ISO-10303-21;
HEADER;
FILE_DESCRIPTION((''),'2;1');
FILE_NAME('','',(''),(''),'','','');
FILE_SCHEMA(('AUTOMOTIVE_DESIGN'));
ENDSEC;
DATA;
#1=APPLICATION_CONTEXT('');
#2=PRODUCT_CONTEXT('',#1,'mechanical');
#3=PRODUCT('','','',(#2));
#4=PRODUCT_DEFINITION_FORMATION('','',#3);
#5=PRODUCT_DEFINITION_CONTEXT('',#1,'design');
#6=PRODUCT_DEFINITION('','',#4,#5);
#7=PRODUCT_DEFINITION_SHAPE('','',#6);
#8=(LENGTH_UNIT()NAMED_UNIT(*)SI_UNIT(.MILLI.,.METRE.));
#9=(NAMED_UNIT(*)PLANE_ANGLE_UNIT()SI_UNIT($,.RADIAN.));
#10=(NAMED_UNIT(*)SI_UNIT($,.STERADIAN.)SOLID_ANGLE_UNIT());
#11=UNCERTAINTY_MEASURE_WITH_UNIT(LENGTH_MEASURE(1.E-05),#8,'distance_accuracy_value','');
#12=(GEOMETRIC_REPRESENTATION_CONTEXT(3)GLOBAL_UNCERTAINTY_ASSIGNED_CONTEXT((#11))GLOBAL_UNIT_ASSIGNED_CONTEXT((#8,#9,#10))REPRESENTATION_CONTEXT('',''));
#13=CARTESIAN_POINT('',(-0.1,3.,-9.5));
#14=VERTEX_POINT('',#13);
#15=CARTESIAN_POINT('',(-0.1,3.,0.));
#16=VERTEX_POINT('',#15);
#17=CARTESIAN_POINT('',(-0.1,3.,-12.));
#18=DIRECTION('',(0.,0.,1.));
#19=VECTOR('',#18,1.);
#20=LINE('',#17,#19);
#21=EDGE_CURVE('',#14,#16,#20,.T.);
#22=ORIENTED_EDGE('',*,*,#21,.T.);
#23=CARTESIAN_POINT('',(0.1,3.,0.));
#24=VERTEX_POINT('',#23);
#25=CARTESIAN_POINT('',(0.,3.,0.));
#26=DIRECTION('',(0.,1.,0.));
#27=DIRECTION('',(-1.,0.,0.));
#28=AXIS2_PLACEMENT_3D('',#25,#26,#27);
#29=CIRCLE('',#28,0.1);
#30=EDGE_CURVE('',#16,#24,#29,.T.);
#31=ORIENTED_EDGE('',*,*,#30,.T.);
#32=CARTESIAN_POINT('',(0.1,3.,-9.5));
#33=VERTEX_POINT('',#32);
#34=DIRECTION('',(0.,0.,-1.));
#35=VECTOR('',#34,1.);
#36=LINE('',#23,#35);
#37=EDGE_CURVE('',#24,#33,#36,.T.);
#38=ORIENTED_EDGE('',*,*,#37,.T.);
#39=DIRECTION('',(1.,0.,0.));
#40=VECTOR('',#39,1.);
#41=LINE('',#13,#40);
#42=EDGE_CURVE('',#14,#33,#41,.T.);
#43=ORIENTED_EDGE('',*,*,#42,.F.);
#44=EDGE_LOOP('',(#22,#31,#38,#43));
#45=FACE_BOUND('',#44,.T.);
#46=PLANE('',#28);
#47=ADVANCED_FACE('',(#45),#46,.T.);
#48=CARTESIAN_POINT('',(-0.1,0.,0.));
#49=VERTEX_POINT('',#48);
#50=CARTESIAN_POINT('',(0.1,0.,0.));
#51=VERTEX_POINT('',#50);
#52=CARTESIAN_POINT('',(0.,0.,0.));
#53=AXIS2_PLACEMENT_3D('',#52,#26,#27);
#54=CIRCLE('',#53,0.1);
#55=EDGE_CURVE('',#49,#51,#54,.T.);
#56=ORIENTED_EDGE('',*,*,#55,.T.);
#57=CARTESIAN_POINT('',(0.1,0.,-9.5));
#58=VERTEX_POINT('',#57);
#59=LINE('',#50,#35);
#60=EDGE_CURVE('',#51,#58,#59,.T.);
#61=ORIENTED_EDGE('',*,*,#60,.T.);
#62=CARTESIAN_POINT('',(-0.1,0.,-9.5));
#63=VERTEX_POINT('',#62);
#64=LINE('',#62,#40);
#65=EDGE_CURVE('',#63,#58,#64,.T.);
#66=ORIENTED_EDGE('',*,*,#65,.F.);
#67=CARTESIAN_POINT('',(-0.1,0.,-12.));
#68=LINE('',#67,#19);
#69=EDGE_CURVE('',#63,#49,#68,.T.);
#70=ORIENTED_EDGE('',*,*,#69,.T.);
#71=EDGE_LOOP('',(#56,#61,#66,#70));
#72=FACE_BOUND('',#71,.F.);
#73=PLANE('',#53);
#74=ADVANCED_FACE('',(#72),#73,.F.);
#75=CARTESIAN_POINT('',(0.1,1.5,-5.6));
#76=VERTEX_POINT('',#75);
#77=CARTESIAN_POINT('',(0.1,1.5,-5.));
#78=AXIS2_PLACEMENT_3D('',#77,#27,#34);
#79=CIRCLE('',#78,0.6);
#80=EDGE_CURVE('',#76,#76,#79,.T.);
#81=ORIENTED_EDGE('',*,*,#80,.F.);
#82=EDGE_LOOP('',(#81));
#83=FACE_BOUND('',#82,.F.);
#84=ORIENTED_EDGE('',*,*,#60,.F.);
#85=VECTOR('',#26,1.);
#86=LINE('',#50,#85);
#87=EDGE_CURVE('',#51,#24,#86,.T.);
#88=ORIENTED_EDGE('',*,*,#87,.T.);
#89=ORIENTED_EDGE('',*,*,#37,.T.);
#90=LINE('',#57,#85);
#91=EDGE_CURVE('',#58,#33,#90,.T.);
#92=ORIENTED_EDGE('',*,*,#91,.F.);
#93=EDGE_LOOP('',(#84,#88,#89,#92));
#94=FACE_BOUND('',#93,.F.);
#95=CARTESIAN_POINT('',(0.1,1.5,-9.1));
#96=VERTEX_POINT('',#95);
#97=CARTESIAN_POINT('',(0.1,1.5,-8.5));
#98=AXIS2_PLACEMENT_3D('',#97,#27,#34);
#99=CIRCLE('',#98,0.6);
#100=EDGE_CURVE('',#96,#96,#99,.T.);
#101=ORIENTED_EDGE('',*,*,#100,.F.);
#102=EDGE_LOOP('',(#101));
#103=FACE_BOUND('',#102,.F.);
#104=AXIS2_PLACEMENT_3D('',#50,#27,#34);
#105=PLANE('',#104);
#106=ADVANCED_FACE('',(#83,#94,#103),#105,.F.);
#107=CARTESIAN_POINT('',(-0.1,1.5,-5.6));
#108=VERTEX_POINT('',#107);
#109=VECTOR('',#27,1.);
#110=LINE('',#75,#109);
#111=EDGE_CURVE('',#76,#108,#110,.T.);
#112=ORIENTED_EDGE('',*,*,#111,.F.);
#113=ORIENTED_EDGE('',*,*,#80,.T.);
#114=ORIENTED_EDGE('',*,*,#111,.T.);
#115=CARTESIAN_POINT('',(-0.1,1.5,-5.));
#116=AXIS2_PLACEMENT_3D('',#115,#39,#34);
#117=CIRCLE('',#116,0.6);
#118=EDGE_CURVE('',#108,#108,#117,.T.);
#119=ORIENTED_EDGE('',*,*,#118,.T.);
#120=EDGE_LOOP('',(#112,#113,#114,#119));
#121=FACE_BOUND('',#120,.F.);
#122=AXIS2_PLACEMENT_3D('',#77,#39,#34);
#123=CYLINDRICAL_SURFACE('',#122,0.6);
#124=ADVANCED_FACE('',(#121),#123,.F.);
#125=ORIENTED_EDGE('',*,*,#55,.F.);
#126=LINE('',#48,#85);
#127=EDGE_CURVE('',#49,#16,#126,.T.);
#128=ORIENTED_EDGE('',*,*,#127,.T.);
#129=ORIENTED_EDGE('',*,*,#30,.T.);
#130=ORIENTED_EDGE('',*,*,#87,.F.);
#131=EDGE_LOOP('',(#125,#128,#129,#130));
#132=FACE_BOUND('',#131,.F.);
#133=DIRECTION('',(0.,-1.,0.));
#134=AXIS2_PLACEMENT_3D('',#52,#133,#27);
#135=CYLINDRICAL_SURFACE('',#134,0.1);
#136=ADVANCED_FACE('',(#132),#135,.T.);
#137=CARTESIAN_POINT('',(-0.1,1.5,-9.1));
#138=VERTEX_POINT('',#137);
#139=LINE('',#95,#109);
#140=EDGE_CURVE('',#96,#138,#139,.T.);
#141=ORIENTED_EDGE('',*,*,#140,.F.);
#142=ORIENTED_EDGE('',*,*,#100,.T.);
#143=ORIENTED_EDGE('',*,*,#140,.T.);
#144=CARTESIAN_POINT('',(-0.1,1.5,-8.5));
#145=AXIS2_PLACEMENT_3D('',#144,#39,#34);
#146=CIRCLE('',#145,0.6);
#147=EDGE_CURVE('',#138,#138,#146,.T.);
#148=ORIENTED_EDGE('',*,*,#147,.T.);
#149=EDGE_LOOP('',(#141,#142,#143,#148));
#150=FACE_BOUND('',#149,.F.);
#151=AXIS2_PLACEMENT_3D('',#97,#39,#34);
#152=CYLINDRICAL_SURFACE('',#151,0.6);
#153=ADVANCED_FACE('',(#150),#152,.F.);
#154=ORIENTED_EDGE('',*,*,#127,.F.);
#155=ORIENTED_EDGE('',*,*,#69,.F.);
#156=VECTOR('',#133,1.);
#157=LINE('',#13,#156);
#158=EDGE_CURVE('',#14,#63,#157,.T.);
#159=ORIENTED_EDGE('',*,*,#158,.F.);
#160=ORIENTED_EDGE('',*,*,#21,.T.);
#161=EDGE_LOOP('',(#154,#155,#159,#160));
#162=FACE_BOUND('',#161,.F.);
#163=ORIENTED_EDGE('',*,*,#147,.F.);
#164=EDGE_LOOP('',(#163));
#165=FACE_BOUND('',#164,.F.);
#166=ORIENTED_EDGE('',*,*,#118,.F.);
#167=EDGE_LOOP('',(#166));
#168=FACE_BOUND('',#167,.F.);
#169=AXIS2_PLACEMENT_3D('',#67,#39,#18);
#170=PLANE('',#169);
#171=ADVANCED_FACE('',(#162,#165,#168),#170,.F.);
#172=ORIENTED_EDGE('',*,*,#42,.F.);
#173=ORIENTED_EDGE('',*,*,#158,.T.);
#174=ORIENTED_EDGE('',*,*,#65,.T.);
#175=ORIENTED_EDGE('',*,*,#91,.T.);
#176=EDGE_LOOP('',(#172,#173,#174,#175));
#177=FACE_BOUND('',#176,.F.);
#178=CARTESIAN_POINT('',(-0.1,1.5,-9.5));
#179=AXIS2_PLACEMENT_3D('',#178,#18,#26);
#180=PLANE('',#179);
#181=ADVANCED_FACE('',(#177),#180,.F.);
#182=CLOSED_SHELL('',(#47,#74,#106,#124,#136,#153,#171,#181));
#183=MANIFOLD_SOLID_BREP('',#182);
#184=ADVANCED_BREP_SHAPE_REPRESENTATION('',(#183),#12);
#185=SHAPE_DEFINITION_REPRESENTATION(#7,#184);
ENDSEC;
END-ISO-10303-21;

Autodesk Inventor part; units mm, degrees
ref_plane "YZ Plane" through (0, 0, 0) normal (1, 0, 0) x (0, 1, 0)
ref_plane "XZ Plane" through (0, 0, 0) normal (0, 1, 0) x (-1, 0, 0)
ref_plane "XY Plane" through (0, 0, 0) normal (0, 0, 1) x (1, 0, 0)
sketch "Sketch1" plane through (0, 0, 0) normal (0, 1, 0) x (-1, 0, 0)
  line L0 (0, 0) -> (0, -12) construction
  line L1 (-0.1, 0) -> (-0.1, -12)
  line L2 (0.1, -12) -> (0.1, 0)
  arc A0 (0.1, 0) -> (-0.1, 0) centre (0, 0) ccw
  arc A1 (-0.1, -12) -> (0.1, -12) centre (0, -12) ccw
  point P0 (0, -6)
  dimension "d0" = 12
  dimension "d1" = 0.2
extrude "Extrusion1" add sketch "Sketch1" along normal blind 3
sketch "Sketch2" plane through (0.1, 0, 0) normal (1, 0, 0) x (0, 0, -1)
  line L0 (12.1, 0) -> (12.1, 3) projected
  line L1 (12.1, 1.5) -> (10.1, 1.5)
  circle A0 centre (10.1, 1.5) radius 0.6
  point P0 (0, 0)
  dimension "d4" = 2
  dimension "d5" = 1.2
extrude "Extrusion2" cut sketch "Sketch2" against normal blind 3
sketch "Sketch3" plane through (0.1, 0, 0) normal (1, 0, 0) x (0, 0, -1)
  line L0 (0, 0) -> (0, 3) projected
  line L1 (0, 1.5) -> (5, 1.5)
  line L2 (5, 1.5) -> (8.5, 1.5)
  circle A0 centre (5, 1.5) radius 0.6
  circle A1 centre (8.5, 1.5) radius 0.6
  dimension "d8" = 5
  dimension "d9" = 3.5
  dimension "d10" = 1.2
  dimension "d11" = 1.2
extrude "Extrusion3" cut sketch "Sketch3" against normal blind 10
sketch "Sketch4" plane through (-0.1, 0, -12) normal (-1, 0, 0) x (0, 0, 1)
  circle A0 centre (3.5, 1.5) radius 0.6 projected
  circle A1 centre (7, 1.5) radius 0.6 projected
  circle A2 centre (1.9, 1.5) radius 0.6 projected
  line L0 (0, 0) -> (12, 0) projected
  line L1 (12, 0) -> (12, 3) projected
  line L2 (0, 3) -> (12, 3) projected
  line L3 (0, 0) -> (0, 3) projected
  line L4 (0, 0) -> (0, 3) projected
  line L5 (0, 3) -> (12, 3) projected
  line L6 (0, 0) -> (2.5, 0)
  line L7 (2.5, 0) -> (2.5, 3)
  line L8 (2.5, 3) -> (0, 3)
  line L9 (0, 3) -> (0, 0)
  line L10 (0, 0) -> (-0.8, 0)
  line L11 (-0.8, 0) -> (-0.8, 3)
  line L12 (-0.8, 3) -> (0, 3)
  line L13 (0, 3) -> (0, 0)
  point P0 (2.5, 1.5)
  point P1 (2.5, 3)
  dimension "d14" = 2.5
  dimension "d15" = 0.8
  dimension "d16" = 3
extrude "Extrusion4" cut sketch "Sketch4" against normal blind 10 contours L7 L0 L3 L2 | L10 L11 L12 L3
properties part number "fin_12mm_h"
